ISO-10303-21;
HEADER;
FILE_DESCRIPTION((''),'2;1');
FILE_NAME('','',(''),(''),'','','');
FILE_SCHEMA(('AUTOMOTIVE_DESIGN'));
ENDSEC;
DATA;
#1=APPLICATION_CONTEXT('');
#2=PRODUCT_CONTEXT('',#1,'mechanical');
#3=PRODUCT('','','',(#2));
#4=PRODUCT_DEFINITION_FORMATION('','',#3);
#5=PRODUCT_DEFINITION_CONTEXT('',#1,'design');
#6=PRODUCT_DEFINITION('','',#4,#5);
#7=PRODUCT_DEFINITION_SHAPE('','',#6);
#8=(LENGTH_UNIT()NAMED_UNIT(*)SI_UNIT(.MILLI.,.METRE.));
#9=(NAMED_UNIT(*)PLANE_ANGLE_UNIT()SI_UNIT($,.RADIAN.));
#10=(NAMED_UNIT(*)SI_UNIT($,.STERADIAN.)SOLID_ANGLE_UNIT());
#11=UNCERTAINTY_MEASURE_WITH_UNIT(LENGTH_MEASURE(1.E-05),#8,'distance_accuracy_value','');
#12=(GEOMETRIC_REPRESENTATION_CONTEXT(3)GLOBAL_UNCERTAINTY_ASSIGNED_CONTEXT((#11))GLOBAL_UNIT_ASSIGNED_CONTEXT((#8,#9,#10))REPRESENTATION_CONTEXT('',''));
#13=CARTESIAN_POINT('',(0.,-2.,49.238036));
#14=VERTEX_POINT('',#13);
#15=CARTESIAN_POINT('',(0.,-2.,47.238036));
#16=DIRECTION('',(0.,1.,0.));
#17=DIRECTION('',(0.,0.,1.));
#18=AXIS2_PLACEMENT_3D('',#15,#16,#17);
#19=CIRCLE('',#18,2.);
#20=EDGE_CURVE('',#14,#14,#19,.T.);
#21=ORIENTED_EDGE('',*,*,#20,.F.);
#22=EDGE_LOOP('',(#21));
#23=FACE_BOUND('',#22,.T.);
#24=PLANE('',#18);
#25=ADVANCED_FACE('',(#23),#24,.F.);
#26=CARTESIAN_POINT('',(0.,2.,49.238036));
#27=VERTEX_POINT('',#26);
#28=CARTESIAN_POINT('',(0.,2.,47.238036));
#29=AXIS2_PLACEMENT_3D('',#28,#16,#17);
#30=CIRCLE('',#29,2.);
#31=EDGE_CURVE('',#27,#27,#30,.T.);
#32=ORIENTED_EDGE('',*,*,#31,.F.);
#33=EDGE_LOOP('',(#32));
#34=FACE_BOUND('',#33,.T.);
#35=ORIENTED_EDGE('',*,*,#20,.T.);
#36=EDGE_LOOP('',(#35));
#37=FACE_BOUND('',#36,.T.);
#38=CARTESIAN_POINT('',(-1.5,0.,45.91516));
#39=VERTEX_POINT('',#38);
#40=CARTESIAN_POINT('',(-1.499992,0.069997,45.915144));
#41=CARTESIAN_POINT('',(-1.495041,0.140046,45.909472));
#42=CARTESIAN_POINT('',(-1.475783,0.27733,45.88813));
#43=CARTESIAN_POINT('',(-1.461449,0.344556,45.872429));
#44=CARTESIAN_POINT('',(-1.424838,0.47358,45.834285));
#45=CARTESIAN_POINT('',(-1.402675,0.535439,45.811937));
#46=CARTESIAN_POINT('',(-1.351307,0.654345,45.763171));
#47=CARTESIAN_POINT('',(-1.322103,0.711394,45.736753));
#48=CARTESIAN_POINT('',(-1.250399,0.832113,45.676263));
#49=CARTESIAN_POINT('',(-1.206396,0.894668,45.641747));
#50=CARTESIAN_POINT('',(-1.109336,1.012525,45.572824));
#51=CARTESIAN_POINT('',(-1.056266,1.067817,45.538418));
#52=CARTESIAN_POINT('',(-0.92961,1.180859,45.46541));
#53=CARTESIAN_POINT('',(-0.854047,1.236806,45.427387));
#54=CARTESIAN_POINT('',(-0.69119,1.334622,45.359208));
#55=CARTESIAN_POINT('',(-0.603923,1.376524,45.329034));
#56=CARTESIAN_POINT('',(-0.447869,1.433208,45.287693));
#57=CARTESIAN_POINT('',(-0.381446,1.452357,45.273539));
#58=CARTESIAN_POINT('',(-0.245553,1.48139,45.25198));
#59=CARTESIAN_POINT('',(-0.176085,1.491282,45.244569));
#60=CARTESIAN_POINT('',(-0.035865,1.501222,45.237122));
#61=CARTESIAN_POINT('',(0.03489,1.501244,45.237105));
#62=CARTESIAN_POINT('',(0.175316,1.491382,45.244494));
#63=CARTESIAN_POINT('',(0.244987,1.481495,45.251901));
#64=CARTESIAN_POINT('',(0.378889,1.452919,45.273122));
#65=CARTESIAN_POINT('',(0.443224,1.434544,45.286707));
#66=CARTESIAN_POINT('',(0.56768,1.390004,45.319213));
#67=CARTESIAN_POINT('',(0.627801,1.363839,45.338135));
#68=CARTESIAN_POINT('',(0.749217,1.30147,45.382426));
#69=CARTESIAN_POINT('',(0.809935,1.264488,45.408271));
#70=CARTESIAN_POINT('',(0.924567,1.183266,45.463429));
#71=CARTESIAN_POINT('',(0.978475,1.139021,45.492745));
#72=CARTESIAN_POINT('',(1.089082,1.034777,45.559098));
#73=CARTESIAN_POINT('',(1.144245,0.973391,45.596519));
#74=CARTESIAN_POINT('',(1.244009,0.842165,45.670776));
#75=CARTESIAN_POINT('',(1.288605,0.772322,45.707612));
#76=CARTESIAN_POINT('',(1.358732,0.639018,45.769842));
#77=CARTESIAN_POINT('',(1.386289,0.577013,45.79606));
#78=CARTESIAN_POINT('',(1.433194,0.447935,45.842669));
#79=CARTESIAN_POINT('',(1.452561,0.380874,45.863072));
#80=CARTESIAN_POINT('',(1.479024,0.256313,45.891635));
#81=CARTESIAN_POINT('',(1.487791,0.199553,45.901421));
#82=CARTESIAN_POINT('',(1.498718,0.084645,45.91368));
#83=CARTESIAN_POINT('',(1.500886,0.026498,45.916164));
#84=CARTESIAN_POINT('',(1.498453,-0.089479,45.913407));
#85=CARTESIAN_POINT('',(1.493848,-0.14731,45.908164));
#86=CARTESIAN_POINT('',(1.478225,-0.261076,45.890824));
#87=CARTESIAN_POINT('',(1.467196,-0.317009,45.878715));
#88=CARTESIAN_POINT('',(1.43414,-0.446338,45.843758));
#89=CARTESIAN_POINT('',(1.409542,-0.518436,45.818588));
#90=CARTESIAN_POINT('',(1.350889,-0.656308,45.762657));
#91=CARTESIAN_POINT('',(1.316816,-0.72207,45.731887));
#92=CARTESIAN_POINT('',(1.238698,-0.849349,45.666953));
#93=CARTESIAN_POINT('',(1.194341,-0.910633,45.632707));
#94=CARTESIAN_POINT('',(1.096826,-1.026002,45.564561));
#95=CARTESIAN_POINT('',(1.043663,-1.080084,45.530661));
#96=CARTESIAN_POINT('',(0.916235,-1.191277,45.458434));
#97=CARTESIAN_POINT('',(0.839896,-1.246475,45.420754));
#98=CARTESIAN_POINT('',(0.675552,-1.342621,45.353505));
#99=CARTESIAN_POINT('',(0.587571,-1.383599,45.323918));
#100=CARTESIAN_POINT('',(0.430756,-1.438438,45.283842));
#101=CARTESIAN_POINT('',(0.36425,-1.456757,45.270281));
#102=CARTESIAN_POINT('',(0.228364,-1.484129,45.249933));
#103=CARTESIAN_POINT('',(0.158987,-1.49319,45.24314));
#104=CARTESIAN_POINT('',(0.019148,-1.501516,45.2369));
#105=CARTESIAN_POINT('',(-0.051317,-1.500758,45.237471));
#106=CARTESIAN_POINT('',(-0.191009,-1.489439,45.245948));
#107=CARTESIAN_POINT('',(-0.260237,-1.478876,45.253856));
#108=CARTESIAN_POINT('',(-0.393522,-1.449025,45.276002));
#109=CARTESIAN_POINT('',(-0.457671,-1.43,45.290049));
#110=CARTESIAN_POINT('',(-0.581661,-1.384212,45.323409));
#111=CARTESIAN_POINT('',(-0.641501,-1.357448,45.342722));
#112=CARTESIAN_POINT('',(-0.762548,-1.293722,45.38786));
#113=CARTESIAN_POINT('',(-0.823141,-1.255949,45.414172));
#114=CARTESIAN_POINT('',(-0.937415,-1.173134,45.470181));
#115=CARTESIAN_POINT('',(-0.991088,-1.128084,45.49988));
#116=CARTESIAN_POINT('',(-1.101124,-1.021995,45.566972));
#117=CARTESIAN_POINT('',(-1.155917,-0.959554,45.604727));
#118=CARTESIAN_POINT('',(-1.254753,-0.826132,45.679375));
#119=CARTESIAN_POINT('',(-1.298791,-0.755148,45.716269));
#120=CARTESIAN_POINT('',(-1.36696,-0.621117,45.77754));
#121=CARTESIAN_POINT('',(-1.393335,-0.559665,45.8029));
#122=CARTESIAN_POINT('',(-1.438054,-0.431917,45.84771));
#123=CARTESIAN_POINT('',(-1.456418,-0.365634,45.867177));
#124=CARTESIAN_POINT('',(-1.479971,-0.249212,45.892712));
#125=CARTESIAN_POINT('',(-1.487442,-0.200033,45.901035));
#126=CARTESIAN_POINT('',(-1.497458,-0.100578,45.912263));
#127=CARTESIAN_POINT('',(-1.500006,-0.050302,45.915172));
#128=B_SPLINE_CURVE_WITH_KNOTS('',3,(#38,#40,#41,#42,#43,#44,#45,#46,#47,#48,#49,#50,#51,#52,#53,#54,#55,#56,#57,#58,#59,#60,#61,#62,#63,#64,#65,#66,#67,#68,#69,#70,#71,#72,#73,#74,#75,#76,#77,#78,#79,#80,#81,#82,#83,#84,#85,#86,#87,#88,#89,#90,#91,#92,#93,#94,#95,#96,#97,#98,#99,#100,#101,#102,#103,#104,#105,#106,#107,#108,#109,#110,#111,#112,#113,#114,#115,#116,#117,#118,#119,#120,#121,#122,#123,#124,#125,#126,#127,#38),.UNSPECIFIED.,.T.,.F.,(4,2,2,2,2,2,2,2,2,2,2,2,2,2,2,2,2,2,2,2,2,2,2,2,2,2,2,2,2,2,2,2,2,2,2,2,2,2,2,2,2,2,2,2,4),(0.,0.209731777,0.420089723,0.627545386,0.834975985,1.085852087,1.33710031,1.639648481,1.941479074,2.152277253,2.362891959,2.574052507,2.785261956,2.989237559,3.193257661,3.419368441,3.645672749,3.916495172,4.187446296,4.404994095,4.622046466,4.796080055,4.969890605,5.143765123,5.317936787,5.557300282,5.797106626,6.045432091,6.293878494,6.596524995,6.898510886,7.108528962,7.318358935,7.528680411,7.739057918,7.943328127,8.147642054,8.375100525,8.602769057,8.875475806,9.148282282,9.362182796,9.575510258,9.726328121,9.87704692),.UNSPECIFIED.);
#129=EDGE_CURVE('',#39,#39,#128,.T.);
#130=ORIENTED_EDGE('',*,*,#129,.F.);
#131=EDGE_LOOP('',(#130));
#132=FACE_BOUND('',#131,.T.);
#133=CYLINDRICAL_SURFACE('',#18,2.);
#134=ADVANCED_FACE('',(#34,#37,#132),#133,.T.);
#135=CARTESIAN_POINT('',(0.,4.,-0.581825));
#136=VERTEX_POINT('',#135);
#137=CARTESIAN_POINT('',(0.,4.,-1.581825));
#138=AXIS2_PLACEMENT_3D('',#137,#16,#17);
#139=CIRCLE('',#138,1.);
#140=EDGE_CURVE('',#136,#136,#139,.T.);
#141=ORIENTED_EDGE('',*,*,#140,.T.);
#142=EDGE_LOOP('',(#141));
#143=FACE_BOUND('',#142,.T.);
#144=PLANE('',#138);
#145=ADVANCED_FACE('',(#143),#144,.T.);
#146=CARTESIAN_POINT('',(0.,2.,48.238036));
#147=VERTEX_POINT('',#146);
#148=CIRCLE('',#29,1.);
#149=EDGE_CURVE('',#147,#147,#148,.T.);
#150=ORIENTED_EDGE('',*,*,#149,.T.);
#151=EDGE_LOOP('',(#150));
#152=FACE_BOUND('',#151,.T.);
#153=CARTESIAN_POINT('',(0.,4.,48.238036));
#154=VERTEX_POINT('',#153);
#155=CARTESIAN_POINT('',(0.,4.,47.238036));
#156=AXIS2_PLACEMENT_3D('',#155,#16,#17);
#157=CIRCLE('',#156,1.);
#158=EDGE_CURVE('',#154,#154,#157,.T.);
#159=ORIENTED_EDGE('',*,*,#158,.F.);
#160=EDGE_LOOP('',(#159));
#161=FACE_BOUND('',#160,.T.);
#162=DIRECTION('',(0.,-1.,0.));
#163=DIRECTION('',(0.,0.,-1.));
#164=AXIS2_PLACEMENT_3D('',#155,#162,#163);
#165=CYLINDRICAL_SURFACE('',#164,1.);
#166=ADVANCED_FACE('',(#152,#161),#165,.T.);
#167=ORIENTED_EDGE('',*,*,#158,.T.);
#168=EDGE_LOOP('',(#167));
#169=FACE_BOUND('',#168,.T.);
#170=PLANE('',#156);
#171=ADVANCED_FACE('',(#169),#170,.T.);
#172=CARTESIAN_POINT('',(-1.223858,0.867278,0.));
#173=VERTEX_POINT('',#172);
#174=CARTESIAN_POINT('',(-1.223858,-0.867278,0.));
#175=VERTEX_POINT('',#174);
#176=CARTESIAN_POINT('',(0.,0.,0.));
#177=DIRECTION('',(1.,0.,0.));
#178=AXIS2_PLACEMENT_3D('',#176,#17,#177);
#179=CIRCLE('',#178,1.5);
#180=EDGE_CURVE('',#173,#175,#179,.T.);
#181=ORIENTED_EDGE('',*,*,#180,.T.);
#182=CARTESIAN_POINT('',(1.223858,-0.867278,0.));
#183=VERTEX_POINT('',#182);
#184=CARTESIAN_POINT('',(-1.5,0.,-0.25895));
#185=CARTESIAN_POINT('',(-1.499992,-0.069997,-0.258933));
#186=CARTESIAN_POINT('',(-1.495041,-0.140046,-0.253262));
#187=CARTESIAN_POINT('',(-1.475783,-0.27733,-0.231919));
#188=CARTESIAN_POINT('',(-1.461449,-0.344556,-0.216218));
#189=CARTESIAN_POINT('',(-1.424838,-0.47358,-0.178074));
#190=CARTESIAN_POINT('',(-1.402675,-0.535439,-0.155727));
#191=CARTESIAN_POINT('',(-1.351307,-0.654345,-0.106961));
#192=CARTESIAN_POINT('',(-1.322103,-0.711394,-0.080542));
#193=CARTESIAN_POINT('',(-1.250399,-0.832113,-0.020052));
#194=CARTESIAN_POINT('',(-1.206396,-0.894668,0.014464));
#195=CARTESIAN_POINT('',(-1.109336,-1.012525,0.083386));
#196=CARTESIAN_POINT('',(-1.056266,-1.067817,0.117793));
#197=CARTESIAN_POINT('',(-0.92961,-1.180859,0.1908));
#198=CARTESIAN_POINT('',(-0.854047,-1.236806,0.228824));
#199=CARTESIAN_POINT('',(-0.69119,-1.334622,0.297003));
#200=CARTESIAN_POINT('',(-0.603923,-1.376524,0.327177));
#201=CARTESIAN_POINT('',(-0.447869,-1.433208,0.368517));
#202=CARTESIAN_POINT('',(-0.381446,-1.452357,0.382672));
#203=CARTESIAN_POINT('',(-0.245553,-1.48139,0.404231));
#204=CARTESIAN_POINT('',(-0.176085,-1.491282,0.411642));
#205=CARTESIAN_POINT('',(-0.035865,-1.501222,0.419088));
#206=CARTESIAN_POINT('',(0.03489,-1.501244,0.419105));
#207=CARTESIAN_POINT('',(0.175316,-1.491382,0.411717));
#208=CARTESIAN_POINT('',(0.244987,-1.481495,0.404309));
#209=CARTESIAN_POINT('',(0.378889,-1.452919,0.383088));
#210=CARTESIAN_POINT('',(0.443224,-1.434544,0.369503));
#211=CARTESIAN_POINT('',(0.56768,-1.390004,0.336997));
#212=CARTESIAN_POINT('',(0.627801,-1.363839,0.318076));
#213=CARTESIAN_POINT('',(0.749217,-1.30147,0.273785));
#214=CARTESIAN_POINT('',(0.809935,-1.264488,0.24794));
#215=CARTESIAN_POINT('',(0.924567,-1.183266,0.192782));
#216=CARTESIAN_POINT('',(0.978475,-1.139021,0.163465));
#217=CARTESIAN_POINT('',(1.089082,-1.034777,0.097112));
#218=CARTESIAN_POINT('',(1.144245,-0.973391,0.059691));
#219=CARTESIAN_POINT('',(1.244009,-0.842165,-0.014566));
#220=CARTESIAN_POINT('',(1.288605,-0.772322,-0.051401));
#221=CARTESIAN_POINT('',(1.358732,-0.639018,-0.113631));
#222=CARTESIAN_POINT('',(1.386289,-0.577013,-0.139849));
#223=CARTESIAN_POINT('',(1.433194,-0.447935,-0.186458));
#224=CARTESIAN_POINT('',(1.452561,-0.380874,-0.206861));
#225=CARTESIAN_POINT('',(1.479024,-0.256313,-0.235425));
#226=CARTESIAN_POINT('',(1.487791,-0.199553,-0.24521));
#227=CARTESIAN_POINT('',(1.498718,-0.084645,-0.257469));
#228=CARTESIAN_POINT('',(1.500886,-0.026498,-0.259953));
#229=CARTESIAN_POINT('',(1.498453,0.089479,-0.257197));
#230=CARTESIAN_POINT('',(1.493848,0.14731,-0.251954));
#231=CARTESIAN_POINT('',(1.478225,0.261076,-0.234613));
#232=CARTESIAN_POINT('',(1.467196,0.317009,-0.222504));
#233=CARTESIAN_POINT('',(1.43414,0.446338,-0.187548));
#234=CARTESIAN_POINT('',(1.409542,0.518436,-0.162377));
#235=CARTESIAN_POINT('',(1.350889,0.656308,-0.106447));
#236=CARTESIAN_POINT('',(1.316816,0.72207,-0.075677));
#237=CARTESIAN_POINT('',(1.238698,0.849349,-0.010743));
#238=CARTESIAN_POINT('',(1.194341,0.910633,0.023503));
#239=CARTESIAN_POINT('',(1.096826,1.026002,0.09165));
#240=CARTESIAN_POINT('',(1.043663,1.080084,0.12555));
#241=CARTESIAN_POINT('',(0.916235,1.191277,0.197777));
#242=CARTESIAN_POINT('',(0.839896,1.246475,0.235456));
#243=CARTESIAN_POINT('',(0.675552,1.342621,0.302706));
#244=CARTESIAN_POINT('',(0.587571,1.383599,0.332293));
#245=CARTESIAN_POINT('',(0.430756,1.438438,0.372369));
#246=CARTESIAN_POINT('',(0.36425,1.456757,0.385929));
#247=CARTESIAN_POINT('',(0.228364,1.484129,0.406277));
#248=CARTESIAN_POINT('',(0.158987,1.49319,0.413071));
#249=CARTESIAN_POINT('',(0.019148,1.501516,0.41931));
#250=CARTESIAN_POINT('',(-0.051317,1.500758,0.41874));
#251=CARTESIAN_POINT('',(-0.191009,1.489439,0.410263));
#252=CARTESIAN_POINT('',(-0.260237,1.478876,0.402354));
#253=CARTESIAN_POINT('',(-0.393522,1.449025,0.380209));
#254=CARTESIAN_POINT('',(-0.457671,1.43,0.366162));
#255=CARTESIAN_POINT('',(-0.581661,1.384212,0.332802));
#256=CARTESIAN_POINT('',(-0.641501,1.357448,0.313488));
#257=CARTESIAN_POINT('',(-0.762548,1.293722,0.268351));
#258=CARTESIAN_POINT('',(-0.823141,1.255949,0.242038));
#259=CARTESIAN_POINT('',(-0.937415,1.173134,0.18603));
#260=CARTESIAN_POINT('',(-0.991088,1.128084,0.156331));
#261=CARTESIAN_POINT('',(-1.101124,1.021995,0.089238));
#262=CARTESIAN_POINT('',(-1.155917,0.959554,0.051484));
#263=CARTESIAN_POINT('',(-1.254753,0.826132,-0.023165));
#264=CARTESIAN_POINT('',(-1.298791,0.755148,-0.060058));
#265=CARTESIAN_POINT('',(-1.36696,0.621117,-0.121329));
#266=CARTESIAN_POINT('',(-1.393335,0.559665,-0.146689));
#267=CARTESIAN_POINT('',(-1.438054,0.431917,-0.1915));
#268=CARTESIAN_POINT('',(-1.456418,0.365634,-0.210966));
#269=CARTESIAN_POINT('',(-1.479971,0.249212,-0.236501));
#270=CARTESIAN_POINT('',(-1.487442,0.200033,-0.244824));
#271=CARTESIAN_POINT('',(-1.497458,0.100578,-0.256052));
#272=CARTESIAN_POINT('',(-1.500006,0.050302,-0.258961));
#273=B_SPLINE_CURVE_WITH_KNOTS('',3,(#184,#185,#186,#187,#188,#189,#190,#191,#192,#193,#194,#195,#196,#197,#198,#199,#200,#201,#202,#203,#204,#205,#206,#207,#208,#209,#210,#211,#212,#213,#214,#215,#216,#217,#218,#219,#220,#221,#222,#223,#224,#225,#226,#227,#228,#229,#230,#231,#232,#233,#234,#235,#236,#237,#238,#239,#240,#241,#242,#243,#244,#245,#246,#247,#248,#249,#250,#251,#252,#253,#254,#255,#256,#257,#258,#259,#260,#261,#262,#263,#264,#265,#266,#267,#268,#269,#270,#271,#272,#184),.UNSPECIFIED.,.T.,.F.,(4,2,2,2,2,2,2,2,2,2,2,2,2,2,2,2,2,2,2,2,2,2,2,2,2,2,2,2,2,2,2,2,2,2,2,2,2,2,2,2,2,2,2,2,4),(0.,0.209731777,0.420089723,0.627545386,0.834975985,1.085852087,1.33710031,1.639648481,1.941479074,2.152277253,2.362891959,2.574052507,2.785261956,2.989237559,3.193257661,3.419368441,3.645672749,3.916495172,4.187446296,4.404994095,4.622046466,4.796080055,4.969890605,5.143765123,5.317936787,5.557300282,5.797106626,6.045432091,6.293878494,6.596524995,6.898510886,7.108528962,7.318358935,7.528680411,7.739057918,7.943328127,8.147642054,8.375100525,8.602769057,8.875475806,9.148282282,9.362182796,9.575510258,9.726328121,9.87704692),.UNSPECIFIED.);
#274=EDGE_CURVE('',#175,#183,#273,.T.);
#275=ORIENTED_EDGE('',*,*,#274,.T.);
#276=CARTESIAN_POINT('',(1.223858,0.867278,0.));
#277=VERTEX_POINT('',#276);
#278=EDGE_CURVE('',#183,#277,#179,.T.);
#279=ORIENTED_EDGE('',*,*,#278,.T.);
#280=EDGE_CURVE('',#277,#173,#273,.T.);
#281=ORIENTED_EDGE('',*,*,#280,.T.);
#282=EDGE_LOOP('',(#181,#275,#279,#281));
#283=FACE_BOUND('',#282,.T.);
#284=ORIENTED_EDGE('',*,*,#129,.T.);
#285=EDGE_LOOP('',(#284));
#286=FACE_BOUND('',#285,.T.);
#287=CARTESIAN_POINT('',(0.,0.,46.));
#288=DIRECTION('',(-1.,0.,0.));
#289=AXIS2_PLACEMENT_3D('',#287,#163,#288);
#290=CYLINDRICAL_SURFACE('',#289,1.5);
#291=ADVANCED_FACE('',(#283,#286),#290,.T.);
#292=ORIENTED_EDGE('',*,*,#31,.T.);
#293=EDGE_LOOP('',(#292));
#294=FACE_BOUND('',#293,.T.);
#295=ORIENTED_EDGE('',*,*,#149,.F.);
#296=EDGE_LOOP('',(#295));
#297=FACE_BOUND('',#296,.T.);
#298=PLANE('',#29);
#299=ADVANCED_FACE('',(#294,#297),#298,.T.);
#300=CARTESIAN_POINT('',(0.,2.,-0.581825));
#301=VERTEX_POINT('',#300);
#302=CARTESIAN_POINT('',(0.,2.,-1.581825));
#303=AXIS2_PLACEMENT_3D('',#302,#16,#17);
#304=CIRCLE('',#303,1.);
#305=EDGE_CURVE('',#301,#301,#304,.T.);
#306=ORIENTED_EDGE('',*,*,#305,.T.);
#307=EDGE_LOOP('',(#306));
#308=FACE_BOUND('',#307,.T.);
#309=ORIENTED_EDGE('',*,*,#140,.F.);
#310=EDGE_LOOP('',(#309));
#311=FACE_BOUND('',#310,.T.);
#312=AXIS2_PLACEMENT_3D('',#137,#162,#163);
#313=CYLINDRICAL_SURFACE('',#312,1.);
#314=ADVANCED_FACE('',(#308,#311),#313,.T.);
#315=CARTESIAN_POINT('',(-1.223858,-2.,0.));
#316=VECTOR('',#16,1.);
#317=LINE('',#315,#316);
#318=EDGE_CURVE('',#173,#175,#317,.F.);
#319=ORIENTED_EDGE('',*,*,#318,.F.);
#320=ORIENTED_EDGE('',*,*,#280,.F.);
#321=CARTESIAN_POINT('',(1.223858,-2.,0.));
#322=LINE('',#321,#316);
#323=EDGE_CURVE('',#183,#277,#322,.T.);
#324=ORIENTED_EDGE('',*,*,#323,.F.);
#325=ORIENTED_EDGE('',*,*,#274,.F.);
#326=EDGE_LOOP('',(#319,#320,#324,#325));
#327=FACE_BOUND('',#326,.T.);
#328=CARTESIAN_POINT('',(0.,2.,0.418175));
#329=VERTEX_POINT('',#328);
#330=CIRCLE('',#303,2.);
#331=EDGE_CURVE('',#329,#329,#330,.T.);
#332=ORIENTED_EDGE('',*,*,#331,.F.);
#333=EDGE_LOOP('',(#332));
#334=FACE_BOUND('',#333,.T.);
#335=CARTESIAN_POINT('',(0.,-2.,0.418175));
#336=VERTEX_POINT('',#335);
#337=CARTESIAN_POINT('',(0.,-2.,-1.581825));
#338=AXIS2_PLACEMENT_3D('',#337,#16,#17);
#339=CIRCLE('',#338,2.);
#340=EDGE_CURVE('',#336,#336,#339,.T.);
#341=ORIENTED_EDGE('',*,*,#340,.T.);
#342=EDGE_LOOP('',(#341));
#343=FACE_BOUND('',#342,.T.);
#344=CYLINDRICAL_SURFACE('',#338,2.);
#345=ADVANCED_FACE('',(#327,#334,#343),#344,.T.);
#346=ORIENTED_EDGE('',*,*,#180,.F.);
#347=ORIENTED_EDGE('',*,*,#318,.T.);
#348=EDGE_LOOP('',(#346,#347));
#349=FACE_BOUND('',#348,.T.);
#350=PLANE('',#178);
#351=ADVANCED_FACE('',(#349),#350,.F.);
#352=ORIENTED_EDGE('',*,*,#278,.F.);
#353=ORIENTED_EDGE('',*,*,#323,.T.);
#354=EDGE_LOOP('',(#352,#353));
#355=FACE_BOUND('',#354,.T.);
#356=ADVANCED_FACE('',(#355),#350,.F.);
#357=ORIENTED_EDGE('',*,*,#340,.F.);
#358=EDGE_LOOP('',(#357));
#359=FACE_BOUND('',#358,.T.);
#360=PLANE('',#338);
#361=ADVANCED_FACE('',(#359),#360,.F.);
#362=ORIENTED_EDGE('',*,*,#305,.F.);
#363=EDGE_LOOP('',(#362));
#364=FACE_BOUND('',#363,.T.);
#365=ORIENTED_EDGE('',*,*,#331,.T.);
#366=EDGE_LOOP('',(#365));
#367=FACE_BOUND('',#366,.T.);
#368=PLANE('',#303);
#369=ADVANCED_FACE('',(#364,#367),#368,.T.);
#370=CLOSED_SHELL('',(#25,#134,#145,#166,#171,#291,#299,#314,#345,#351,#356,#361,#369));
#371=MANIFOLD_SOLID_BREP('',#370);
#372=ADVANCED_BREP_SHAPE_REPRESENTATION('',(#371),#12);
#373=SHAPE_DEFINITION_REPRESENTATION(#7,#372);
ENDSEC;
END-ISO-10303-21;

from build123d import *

# Parameters (mm, degrees)
SKIZZE1_R                       = 1.5
AUFSATZ_LINEAR_AUSTRAGEN1_DEPTH = 46
AUFSATZ_LINEAR_START            = -2
SKIZZE2_R                       = 2
AUFSATZ_LINEAR_AUSTRAGEN2_DEPTH = 4
SKIZZE3_R                       = 1
AUFSATZ_LINEAR_AUSTRAGEN4_DEPTH = 2


with BuildPart() as part:
    # Skizze1 → Aufsatz-Linear austragen1 (new body)
    with BuildSketch(Plane.XY):
        Circle(SKIZZE1_R)
    extrude(amount=AUFSATZ_LINEAR_AUSTRAGEN1_DEPTH)

    # Skizze2 → Aufsatz-Linear austragen2 (add)
    with BuildSketch(Plane(origin=(0, 0, 0), x_dir=(1, 0, 0), z_dir=(0, 1, 0)).offset(AUFSATZ_LINEAR_START)):
        with Locations((0, -47.23803597)):
            Circle(SKIZZE2_R)
        with Locations((0, 1.58182535)):
            Circle(SKIZZE2_R)
    extrude(amount=AUFSATZ_LINEAR_AUSTRAGEN2_DEPTH)

    # Skizze3 → Aufsatz-Linear austragen4 (add)
    with BuildSketch(Plane(origin=(0, 2, 0), x_dir=(1, 0, 0), z_dir=(0, 1, 0))):
        with Locations((0, -47.23803597)):
            Circle(SKIZZE3_R)
        with Locations((0, 1.58182535)):
            Circle(SKIZZE3_R)
    extrude(amount=AUFSATZ_LINEAR_AUSTRAGEN4_DEPTH)


solid = part.part
